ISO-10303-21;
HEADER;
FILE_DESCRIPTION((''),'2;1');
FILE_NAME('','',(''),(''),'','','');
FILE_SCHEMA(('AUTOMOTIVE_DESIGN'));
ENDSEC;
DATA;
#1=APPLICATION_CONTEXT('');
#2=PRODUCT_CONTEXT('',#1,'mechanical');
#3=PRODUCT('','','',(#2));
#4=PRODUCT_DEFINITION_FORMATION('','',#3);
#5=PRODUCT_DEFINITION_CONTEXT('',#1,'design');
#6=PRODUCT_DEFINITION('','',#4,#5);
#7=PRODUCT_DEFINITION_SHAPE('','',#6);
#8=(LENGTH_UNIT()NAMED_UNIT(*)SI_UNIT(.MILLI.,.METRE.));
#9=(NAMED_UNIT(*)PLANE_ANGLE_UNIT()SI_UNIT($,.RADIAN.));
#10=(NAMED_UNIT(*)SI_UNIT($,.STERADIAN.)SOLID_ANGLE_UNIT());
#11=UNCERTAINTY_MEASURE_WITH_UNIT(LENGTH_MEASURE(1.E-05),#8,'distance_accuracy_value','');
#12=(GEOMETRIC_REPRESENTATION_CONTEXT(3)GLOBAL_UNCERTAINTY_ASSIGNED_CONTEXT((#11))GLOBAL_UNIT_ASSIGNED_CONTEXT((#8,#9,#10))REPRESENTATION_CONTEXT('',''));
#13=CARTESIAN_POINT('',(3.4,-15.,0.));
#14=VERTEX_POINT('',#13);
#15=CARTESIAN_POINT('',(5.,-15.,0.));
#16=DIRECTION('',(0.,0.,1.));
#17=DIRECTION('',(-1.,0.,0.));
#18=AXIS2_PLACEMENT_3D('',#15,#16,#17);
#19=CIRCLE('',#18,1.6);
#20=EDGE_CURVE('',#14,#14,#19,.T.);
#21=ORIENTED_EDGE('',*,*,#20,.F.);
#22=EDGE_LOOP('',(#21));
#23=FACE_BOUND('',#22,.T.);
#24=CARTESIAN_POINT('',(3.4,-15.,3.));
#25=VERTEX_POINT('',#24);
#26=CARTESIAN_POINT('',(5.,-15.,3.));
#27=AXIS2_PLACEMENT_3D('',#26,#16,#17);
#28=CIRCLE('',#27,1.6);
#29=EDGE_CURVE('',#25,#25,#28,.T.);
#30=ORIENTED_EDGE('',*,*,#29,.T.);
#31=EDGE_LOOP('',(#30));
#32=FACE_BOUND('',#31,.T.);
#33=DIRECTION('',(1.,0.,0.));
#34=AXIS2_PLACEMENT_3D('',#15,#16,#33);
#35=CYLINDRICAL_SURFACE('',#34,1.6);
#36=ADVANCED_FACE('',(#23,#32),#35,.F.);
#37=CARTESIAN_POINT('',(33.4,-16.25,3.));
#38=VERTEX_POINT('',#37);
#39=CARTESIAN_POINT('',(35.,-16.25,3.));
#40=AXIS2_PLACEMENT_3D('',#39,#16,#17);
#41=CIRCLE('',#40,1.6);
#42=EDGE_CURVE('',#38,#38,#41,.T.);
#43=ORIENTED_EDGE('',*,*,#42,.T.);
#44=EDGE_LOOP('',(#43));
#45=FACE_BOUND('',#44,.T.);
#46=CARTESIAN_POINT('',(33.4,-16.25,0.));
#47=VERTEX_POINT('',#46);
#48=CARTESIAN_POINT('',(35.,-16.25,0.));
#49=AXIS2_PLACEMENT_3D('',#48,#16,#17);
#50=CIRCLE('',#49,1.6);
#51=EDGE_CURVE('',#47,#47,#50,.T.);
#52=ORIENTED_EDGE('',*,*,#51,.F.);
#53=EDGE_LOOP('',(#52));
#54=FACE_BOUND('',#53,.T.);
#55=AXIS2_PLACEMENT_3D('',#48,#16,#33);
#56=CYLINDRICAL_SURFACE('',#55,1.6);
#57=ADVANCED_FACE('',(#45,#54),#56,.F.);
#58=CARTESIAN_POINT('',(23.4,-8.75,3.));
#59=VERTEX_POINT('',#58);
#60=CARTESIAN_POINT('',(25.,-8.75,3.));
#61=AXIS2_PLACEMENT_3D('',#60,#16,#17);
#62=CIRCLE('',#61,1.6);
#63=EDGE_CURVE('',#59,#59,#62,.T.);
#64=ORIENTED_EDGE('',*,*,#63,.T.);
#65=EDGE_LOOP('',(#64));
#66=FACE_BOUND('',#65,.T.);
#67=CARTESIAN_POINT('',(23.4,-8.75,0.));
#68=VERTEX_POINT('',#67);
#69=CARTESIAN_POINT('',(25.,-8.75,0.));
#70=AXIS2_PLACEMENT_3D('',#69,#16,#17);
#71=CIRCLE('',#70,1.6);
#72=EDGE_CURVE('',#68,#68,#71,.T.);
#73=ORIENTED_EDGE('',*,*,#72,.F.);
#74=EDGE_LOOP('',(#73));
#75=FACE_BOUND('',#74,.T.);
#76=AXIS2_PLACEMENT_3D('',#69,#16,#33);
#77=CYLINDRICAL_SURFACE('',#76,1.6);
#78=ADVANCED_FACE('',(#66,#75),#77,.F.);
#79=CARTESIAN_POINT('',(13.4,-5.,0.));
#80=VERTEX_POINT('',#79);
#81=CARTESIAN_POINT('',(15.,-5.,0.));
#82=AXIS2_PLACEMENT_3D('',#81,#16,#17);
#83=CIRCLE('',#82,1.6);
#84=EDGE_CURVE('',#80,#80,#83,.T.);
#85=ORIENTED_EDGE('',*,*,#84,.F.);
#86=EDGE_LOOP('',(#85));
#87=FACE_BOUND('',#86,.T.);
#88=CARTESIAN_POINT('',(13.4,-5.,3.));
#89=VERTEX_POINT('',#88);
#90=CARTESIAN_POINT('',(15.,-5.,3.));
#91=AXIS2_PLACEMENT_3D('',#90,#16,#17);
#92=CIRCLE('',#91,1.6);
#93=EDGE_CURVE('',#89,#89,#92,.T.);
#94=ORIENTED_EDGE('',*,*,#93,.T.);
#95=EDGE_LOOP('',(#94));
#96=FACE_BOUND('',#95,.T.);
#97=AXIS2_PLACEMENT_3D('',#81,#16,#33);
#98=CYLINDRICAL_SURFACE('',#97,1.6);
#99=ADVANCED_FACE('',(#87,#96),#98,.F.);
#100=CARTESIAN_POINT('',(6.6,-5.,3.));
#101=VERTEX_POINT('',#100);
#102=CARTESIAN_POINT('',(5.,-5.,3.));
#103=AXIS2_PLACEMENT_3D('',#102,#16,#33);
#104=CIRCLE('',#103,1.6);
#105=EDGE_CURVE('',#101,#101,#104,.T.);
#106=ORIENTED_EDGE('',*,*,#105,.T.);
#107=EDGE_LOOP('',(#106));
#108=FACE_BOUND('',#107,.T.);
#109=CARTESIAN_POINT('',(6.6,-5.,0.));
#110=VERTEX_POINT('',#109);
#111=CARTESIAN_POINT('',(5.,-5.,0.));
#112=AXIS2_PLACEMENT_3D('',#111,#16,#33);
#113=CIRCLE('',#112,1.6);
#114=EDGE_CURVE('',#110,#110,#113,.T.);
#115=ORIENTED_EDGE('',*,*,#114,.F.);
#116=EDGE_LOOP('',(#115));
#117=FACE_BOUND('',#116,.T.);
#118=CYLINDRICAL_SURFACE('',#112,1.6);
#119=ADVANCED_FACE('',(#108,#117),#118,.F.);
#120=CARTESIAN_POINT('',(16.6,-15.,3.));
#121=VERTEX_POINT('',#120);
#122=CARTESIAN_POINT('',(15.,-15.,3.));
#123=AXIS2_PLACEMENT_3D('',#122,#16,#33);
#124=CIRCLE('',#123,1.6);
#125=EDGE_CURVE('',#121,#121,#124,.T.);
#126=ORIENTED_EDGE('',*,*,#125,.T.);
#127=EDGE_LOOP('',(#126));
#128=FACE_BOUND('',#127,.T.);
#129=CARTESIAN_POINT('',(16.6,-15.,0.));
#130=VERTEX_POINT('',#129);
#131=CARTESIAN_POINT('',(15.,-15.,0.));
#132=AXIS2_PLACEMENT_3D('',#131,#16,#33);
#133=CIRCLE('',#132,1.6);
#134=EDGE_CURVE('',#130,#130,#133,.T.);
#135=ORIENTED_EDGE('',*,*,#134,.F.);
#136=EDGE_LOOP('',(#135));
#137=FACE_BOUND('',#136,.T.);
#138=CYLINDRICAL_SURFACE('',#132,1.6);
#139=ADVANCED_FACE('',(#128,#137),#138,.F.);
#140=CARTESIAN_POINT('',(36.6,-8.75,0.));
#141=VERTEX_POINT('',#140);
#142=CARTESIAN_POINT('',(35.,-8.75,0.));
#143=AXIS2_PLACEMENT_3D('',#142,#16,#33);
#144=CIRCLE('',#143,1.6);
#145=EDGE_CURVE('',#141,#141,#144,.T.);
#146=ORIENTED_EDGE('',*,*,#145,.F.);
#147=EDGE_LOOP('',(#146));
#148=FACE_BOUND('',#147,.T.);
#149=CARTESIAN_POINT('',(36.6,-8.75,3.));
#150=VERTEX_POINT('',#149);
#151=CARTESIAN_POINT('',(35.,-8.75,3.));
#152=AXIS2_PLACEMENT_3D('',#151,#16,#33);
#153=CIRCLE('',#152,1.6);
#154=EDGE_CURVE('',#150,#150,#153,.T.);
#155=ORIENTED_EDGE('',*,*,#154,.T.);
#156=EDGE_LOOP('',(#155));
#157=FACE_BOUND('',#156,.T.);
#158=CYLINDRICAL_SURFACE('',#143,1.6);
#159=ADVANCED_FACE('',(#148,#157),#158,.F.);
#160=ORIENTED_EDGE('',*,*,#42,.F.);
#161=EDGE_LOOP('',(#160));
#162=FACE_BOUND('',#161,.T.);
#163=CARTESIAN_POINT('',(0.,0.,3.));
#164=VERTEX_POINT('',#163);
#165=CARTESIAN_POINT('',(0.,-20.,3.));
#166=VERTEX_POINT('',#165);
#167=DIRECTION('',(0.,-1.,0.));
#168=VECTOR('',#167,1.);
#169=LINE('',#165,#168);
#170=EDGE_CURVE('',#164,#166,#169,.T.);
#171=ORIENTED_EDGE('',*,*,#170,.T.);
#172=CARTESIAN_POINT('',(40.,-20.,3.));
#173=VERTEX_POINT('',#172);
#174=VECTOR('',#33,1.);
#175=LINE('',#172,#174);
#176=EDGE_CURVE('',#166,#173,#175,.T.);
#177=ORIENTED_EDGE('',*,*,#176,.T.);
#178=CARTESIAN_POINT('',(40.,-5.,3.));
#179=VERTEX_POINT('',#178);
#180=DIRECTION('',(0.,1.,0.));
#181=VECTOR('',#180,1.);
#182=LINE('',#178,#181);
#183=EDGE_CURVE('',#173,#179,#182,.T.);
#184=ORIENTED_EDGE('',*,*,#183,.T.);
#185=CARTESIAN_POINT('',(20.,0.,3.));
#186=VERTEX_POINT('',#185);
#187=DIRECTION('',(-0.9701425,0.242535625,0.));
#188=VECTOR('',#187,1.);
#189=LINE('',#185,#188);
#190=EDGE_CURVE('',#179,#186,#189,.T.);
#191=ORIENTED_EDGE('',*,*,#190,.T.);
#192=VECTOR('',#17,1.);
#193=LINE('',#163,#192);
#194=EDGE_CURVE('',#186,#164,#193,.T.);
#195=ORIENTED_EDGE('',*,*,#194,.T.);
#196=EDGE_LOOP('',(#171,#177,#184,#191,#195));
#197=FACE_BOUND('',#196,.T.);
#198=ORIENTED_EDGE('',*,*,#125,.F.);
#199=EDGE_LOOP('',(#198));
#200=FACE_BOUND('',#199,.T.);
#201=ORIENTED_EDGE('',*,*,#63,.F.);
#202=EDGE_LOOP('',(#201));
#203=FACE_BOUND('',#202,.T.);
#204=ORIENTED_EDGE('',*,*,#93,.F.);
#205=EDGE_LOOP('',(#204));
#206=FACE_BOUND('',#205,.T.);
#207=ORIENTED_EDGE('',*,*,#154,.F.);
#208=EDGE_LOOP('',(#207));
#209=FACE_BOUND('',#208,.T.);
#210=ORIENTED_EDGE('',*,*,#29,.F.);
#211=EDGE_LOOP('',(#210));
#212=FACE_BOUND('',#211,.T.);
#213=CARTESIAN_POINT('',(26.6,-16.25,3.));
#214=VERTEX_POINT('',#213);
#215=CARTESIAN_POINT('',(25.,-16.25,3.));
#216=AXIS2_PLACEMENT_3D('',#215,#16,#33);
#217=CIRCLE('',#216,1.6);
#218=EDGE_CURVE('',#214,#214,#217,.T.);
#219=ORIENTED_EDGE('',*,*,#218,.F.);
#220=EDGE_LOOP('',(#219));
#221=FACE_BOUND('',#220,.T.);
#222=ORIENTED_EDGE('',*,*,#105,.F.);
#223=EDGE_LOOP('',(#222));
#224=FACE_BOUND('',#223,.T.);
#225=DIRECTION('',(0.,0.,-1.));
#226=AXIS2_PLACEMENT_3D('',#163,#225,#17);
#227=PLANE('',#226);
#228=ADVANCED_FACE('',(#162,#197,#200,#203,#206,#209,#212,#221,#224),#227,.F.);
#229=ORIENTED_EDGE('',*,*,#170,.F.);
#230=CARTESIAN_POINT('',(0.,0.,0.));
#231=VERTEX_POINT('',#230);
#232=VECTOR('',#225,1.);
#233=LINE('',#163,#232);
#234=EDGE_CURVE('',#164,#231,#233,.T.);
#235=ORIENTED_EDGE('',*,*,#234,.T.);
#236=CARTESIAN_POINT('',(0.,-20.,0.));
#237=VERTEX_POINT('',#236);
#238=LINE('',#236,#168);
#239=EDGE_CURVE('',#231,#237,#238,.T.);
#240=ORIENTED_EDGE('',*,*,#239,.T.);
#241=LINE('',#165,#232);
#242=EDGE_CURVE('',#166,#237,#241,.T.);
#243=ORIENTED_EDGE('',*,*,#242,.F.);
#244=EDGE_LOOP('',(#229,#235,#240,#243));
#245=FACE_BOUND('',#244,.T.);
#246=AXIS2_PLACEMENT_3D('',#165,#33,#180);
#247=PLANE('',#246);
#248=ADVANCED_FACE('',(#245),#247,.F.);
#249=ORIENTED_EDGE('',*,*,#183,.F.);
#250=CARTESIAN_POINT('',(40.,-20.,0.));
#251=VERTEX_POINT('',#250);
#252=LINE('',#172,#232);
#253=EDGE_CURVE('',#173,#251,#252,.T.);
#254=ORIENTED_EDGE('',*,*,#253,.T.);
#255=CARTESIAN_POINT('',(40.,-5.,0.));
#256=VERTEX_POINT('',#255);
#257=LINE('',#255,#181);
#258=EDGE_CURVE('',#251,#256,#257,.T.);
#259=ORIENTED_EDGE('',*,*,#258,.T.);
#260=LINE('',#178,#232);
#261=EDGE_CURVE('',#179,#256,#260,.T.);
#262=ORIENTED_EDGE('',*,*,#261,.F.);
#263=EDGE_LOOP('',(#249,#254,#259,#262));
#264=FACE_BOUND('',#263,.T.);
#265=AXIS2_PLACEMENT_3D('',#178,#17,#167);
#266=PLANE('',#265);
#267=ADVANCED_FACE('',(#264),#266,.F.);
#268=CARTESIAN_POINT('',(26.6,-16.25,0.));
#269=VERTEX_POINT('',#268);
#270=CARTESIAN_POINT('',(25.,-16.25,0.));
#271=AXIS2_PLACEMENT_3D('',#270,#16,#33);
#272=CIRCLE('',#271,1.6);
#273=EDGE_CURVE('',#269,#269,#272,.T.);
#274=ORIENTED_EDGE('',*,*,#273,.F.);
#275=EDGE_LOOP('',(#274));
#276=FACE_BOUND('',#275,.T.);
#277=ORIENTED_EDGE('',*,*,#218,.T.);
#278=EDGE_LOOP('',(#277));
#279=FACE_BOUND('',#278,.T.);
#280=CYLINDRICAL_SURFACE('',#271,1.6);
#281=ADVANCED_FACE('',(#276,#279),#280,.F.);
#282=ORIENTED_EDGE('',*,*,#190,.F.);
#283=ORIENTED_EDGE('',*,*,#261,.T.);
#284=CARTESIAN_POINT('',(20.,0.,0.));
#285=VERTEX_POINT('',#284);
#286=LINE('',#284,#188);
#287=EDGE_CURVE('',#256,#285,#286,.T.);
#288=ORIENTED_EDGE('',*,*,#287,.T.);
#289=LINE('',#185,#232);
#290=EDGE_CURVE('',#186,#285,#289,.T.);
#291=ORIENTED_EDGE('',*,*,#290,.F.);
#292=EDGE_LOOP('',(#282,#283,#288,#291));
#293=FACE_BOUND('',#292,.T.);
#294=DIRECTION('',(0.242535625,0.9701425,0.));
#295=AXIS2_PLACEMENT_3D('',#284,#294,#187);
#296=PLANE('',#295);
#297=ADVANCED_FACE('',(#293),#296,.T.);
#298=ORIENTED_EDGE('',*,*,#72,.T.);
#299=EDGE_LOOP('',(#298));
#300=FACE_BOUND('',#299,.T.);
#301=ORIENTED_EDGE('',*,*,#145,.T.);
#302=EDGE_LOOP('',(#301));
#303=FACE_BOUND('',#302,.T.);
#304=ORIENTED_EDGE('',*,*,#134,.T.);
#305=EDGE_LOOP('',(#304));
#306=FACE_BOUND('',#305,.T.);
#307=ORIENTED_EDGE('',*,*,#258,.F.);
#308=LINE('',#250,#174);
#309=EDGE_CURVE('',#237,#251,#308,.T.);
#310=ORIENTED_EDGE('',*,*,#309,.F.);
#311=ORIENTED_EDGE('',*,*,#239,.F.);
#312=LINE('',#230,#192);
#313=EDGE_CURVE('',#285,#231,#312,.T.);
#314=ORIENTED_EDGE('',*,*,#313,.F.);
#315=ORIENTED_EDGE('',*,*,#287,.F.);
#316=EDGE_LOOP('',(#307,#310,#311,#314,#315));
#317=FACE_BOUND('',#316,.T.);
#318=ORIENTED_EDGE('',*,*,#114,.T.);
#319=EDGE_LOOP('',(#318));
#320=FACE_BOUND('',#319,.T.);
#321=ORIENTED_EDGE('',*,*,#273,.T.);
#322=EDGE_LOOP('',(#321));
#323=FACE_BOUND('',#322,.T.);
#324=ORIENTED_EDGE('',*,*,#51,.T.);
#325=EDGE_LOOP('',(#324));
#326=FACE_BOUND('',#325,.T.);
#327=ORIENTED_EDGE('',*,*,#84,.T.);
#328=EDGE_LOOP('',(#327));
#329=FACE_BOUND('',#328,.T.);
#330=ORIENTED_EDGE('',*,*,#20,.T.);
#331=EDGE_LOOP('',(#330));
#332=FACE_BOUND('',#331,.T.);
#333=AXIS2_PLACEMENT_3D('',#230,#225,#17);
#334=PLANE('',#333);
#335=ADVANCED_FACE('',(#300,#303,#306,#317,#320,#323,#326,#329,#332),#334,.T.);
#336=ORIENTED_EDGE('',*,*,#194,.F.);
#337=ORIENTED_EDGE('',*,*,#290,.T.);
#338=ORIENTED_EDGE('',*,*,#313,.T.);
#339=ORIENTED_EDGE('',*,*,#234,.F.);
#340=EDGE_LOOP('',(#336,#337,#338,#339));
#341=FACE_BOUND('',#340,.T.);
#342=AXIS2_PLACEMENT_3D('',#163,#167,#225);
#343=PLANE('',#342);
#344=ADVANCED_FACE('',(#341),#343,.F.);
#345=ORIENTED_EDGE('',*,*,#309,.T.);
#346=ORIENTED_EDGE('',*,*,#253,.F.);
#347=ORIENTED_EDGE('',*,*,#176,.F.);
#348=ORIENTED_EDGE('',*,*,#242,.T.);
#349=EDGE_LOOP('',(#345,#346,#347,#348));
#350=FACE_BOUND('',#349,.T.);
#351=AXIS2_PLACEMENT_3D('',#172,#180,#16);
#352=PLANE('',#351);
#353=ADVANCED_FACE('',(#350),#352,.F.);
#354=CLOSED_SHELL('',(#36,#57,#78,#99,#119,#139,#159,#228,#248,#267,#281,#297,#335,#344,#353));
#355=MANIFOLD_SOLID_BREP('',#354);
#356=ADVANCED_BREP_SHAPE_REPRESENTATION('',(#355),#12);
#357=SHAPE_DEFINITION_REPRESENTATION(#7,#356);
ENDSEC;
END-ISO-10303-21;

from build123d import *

# Parameters (mm, degrees)
EXTRUDE_1_DEPTH     = 3
SKETCH_2_R          = 1.6
CUT_EXTRUDE_1_DEPTH = 45.821869662
EXTRUDE_2_DEPTH     = 3


with BuildPart() as part:
    # 草图1 → 凸台-拉伸1 (new body)
    with BuildSketch(Plane.XY):
        Polygon((0, 0), (20, 0), (20, -5), (40, -5), (40, -20), (0, -20), align=None)
    extrude(amount=EXTRUDE_1_DEPTH)

    # 草图2 → 切除-拉伸1 (cut, through all)
    with BuildSketch(Plane.XY.offset(3)):
        with Locations((5, -5)):
            Circle(SKETCH_2_R)
        with Locations((35, -8.75)):
            Circle(SKETCH_2_R)
        with Locations(Location((5, -15, 0), (0, 0, 180))):
            Circle(SKETCH_2_R)
        with Locations(Location((15, -5, 0), (0, 0, 180))):
            Circle(SKETCH_2_R)
        with Locations((15, -15)):
            Circle(SKETCH_2_R)
        with Locations(Location((35, -16.25, 0), (0, 0, 180))):
            Circle(SKETCH_2_R)
        with Locations((25, -16.25)):
            Circle(SKETCH_2_R)
        with Locations(Location((25, -8.75, 0), (0, 0, 180))):
            Circle(SKETCH_2_R)
    extrude(amount=-CUT_EXTRUDE_1_DEPTH, mode=Mode.SUBTRACT)

    # 草图4 → 凸台-拉伸2 (add)
    with BuildSketch(Plane.XY.offset(3)):
        Polygon((20, 0), (40, -5), (20, -5), align=None)
    extrude(amount=-EXTRUDE_2_DEPTH)


solid = part.part
